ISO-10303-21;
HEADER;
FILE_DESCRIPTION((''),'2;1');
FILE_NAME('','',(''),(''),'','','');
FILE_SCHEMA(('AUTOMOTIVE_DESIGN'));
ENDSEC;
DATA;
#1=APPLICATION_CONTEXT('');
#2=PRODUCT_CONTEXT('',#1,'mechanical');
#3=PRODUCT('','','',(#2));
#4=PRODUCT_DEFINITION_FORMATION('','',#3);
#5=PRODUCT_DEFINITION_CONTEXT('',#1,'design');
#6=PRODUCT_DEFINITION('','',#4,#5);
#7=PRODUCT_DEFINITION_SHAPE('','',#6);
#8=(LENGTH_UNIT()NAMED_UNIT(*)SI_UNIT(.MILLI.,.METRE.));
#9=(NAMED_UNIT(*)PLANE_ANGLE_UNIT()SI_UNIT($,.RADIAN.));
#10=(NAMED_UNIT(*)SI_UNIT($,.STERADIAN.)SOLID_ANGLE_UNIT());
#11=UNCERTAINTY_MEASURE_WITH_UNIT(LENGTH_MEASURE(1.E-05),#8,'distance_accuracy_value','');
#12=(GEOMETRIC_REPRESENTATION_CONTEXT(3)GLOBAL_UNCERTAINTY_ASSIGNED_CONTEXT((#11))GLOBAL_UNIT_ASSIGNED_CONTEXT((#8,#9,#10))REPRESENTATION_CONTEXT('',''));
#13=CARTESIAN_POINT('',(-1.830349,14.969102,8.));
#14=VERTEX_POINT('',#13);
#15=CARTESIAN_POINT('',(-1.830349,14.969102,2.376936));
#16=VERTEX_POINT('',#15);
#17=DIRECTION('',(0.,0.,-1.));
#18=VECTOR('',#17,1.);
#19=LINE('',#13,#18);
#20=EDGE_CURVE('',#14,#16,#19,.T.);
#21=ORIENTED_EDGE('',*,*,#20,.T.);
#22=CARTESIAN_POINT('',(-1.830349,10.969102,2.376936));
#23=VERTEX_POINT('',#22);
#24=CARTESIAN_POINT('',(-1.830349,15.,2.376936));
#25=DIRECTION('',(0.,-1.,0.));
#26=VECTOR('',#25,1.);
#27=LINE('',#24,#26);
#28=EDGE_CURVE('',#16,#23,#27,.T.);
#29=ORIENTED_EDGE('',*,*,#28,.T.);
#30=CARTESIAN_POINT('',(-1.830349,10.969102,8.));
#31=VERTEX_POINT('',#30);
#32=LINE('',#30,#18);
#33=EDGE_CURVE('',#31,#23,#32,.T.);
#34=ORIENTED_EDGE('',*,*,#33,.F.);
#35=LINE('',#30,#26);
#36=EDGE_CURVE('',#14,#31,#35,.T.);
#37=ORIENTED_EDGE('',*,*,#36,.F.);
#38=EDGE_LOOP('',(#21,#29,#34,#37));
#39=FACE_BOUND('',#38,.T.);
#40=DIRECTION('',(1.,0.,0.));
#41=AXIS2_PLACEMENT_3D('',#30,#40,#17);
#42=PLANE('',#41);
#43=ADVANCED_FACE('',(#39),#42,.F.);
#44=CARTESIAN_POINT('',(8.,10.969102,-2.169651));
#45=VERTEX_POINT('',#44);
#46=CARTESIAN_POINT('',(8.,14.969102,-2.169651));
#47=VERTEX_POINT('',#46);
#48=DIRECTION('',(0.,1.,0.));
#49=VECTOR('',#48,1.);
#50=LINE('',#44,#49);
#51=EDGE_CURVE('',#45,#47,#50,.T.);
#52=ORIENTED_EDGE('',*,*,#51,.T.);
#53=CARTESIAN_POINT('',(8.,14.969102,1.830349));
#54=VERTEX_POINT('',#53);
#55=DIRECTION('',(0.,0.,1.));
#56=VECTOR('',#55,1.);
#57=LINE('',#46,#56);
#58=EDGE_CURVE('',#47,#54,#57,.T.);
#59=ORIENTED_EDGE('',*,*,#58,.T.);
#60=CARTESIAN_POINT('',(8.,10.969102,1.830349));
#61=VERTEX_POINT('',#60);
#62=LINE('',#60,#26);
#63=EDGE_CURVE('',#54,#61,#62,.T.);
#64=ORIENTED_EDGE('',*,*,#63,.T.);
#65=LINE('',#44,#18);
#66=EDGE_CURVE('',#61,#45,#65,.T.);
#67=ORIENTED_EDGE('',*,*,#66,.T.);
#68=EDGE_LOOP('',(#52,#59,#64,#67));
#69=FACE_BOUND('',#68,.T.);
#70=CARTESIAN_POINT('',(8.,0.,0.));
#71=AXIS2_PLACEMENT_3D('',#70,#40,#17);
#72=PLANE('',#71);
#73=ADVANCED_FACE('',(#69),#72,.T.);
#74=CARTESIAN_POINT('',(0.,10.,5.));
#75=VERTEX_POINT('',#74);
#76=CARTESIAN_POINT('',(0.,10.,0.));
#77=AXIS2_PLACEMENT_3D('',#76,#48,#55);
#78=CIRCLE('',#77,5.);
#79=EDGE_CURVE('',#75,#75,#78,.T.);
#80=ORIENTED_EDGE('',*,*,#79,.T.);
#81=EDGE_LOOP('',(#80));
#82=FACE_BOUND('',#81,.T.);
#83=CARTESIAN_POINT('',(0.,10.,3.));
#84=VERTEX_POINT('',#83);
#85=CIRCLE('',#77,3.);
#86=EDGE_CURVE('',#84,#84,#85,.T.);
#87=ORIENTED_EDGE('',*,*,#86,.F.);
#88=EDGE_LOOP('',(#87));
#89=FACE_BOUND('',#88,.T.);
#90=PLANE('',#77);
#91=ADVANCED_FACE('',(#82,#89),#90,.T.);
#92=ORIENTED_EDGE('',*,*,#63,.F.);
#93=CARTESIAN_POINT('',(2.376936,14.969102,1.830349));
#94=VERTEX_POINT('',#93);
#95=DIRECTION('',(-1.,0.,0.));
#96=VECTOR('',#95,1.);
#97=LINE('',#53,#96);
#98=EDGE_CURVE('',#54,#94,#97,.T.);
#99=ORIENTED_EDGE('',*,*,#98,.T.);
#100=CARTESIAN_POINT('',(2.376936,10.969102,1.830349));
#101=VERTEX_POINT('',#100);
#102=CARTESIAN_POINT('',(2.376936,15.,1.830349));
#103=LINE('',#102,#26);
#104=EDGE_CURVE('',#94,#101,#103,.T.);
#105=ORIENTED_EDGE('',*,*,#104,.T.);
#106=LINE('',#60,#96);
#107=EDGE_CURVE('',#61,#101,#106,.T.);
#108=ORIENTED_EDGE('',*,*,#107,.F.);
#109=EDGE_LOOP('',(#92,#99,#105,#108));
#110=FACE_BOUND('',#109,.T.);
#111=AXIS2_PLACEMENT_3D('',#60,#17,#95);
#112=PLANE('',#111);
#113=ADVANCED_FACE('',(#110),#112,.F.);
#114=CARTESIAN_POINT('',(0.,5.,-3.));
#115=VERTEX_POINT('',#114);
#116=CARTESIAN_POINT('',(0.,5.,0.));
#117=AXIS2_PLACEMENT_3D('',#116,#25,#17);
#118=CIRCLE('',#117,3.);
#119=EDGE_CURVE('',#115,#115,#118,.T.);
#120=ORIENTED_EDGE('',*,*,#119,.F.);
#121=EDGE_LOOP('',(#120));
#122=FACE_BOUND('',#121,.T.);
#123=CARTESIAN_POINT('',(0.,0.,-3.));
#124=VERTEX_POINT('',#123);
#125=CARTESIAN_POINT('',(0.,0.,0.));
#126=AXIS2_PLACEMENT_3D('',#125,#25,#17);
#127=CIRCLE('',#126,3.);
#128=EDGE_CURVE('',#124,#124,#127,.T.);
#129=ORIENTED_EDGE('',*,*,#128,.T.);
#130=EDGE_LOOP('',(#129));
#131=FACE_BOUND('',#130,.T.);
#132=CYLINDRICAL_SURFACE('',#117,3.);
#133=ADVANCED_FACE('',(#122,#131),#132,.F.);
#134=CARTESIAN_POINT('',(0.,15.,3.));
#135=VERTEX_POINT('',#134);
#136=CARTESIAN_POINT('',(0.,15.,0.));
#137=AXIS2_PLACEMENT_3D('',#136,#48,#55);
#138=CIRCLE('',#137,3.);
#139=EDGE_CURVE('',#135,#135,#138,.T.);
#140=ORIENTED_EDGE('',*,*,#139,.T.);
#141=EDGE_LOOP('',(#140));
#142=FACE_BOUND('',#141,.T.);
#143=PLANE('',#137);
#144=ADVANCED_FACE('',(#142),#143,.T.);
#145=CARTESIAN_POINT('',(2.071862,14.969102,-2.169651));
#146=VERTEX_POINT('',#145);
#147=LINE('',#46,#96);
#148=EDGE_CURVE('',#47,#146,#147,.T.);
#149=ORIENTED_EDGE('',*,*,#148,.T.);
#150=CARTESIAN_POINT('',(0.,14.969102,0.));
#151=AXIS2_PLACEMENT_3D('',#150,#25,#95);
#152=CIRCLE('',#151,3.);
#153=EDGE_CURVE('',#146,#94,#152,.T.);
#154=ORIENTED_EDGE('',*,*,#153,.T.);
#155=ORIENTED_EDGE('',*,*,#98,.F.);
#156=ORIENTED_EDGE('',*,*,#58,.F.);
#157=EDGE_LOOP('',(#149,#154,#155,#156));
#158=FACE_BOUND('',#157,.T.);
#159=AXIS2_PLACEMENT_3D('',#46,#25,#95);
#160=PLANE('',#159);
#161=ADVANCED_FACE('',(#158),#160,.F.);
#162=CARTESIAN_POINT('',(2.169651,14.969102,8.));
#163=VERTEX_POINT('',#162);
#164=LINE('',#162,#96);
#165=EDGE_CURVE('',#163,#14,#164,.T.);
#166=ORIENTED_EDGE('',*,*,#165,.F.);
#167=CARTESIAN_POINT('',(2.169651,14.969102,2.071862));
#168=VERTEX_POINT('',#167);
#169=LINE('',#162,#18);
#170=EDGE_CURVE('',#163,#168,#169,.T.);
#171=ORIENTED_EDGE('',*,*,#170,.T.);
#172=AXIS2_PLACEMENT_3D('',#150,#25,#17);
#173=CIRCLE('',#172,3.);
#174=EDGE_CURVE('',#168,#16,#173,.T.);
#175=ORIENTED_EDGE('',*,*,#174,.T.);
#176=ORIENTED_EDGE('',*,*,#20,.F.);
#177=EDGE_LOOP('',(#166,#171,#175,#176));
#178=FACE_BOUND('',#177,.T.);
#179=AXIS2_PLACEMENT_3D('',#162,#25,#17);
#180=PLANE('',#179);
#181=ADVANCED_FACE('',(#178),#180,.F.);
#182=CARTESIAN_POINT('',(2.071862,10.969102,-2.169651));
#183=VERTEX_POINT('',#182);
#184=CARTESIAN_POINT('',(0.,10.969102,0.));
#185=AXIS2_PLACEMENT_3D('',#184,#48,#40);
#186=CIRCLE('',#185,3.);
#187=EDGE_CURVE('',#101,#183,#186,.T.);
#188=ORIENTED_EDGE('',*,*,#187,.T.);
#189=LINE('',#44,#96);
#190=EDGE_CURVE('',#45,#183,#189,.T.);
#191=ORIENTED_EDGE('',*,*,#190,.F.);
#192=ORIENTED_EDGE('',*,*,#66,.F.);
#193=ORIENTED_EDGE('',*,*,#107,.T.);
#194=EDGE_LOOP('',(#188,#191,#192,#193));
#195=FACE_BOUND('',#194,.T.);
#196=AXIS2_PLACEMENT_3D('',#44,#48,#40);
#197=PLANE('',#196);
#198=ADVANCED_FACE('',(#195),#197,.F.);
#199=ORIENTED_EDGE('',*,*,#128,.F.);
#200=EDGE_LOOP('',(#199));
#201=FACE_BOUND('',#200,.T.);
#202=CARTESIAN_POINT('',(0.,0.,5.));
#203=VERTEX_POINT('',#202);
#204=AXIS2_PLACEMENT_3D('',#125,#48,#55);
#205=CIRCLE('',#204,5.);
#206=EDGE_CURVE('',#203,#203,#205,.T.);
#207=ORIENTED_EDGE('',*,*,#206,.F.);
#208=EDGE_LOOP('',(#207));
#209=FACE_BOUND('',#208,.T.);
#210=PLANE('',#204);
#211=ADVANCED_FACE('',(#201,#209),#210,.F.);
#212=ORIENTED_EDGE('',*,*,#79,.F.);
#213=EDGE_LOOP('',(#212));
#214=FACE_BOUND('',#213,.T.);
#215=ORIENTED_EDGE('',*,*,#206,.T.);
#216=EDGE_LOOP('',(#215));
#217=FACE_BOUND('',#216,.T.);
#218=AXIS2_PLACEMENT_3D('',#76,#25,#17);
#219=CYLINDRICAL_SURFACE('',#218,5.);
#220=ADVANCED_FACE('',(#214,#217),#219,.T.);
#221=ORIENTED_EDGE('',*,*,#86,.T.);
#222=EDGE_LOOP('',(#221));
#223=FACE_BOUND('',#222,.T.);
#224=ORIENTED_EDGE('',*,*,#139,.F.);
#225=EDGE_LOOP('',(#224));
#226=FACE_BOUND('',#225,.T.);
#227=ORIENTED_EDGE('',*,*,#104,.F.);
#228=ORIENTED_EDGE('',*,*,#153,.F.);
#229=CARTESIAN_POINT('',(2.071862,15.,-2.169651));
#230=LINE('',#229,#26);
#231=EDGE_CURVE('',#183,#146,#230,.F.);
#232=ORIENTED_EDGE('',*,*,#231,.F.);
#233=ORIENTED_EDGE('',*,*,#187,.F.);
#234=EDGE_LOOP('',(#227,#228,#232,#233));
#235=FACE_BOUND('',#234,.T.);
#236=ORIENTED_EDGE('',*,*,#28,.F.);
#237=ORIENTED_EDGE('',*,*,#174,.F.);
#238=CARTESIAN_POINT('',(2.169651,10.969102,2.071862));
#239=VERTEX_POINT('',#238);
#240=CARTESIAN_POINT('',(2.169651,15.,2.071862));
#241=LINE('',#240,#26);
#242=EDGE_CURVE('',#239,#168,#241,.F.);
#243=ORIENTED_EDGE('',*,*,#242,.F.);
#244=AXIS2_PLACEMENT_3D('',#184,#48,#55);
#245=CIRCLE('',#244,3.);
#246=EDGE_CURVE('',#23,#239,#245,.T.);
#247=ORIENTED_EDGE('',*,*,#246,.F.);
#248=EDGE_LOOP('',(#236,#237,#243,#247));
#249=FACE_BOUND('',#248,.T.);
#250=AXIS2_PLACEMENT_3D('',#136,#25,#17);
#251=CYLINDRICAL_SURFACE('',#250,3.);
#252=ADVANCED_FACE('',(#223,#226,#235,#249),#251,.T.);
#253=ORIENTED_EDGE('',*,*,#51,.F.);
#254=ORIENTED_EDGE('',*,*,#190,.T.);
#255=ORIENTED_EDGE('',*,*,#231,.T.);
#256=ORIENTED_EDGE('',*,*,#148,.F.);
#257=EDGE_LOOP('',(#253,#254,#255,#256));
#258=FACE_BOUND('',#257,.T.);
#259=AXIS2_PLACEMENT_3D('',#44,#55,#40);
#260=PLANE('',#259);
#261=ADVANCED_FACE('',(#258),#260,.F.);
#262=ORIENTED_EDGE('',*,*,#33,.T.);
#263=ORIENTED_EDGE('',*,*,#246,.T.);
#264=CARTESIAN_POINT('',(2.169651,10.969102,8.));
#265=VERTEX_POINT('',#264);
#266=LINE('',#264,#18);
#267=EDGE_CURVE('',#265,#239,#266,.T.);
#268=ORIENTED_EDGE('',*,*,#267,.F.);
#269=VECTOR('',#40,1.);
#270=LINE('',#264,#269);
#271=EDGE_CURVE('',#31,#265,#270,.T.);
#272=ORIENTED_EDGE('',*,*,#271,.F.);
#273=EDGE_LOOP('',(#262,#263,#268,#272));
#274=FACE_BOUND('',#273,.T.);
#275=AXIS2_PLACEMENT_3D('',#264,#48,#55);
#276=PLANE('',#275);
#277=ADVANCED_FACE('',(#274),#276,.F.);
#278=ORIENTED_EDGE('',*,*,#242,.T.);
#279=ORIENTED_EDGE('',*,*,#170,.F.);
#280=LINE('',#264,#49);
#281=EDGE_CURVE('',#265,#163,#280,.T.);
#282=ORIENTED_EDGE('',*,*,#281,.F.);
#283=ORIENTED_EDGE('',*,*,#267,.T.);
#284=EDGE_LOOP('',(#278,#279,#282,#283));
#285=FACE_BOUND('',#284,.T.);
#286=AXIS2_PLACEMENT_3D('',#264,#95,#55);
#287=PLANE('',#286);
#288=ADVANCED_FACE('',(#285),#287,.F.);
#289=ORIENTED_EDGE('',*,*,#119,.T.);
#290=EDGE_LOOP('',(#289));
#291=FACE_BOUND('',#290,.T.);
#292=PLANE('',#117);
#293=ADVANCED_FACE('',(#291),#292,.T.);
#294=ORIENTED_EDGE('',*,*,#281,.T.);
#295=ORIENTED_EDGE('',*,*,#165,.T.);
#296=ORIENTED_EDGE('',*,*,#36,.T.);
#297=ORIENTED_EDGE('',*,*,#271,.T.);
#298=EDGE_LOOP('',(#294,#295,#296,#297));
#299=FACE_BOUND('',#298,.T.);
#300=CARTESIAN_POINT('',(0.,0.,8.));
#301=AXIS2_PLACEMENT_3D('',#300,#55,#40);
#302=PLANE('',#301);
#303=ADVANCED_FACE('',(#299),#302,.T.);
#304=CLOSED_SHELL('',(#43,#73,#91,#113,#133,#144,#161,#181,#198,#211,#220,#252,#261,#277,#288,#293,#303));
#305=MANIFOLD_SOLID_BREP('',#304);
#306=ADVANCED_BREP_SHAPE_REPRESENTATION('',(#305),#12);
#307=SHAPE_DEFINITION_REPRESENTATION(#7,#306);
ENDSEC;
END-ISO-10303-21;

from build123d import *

# Parameters (mm, degrees)
SKETCH1_R           = 5
BOSS_EXTRUDE1_DEPTH = 10
SKETCH2_R           = 3
BOSS_EXTRUDE2_DEPTH = 5
SKETCH3_R           = 3
CUT_EXTRUDE1_DEPTH  = 5
SKETCH4_W           = 4
SKETCH4_H           = 4
BOSS_EXTRUDE3_DEPTH = 8
CIRPATTERN1_COUNT   = 2
CIRPATTERN1_ANGLE   = 90


with BuildPart() as part:
    # Sketch1 → Boss-Extrude1 (new body)
    with BuildSketch(Plane(origin=(0, 0, 0), x_dir=(1, 0, 0), z_dir=(0, 1, 0))):
        with Locations(Location((0, 0, 0), (0, 0, 270))):
            Circle(SKETCH1_R)
    extrude(amount=BOSS_EXTRUDE1_DEPTH)

    # Sketch2 → Boss-Extrude2 (add)
    with BuildSketch(Plane(origin=(0, 10, 0), x_dir=(1, 0, 0), z_dir=(0, 1, 0))):
        with Locations(Location((0, 0, 0), (0, 0, 270))):
            Circle(SKETCH2_R)
    extrude(amount=BOSS_EXTRUDE2_DEPTH)

    # Sketch3 → Cut-Extrude1 (cut)
    with BuildSketch(Plane.XZ):
        with Locations(Location((0, 0, 0), (0, 0, 90))):
            Circle(SKETCH3_R)
    extrude(amount=-CUT_EXTRUDE1_DEPTH, mode=Mode.SUBTRACT)

    # Sketch4 → Boss-Extrude3 (add)
    with BuildSketch(Plane.XY):
        with Locations((0.169651393, 12.969101694)):
            Rectangle(SKETCH4_W, SKETCH4_H)
    boss_extrude3 = extrude(amount=BOSS_EXTRUDE3_DEPTH)

    # CirPattern1: Boss-Extrude3 ×2 about axis
    cirpattern1_axis = Axis((0, 0, 0), (0, 1, 0))
    for i in range(1, CIRPATTERN1_COUNT):
        add(boss_extrude3.rotate(cirpattern1_axis, i * CIRPATTERN1_ANGLE / (CIRPATTERN1_COUNT - 1)))


solid = part.part
